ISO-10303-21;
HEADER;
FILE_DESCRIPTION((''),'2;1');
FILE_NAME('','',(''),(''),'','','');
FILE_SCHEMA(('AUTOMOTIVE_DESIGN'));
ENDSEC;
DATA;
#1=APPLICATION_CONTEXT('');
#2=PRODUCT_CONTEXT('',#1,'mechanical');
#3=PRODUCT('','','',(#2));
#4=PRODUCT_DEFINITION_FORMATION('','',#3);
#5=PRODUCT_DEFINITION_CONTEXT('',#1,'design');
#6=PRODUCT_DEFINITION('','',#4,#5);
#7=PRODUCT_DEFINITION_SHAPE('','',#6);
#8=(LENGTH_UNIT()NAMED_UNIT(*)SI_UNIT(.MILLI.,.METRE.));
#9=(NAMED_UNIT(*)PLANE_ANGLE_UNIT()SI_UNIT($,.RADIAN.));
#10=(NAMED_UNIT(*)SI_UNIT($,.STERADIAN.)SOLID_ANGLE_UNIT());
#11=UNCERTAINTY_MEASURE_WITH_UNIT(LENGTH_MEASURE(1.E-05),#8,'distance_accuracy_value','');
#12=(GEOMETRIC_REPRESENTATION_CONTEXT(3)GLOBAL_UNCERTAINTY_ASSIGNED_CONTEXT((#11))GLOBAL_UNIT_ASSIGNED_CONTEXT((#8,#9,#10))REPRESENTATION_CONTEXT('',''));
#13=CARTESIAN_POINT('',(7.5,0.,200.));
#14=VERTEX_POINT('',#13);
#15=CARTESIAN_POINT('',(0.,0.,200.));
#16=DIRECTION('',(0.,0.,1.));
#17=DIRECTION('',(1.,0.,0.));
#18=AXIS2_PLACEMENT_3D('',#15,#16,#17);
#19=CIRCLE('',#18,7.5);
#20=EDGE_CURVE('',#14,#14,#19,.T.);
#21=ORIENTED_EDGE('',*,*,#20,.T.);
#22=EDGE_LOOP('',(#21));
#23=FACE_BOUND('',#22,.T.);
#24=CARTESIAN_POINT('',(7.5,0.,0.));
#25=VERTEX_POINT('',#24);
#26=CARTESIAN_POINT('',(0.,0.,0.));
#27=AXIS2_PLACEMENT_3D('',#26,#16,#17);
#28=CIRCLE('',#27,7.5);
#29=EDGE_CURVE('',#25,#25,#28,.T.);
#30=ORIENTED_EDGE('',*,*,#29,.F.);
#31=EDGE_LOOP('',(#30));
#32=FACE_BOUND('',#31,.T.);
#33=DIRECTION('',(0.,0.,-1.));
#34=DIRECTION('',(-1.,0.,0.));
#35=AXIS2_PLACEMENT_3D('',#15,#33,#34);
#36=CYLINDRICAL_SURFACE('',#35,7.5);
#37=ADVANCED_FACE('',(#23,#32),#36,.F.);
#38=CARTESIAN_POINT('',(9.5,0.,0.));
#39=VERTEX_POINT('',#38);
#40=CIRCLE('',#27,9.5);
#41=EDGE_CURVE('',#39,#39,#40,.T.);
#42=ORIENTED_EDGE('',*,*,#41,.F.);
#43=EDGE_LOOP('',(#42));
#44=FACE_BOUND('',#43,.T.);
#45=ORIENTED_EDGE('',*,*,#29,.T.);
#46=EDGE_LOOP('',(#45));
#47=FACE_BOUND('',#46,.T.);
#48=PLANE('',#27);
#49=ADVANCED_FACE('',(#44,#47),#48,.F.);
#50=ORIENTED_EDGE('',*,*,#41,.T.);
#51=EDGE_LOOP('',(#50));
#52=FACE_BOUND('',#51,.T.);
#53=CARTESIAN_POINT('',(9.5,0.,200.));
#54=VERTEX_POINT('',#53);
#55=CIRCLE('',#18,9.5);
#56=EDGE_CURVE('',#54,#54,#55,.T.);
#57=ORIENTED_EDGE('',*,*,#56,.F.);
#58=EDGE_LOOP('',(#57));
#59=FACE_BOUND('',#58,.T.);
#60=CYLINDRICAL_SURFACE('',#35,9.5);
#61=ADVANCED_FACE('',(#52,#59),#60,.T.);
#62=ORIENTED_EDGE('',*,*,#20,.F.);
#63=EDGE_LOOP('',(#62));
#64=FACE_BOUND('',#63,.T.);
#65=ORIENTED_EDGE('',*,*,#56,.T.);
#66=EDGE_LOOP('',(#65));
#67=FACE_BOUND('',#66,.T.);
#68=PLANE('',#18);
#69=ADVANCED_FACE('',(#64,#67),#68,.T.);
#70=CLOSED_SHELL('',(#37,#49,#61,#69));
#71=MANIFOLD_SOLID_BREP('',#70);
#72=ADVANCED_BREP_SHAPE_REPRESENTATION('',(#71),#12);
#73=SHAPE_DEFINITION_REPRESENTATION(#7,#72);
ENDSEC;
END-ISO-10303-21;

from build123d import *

# Parameters (mm, degrees)
SKETCH_1_R      = 9.5
SKETCH_1_R_2    = 7.5
EXTRUDE_1_DEPTH = 200


with BuildPart() as part:
    # 草圖1 → 填料-伸長1 (new body)
    with BuildSketch(Plane.XY):
        Circle(SKETCH_1_R)
        Circle(SKETCH_1_R_2, mode=Mode.SUBTRACT)
    extrude(amount=EXTRUDE_1_DEPTH)


solid = part.part
